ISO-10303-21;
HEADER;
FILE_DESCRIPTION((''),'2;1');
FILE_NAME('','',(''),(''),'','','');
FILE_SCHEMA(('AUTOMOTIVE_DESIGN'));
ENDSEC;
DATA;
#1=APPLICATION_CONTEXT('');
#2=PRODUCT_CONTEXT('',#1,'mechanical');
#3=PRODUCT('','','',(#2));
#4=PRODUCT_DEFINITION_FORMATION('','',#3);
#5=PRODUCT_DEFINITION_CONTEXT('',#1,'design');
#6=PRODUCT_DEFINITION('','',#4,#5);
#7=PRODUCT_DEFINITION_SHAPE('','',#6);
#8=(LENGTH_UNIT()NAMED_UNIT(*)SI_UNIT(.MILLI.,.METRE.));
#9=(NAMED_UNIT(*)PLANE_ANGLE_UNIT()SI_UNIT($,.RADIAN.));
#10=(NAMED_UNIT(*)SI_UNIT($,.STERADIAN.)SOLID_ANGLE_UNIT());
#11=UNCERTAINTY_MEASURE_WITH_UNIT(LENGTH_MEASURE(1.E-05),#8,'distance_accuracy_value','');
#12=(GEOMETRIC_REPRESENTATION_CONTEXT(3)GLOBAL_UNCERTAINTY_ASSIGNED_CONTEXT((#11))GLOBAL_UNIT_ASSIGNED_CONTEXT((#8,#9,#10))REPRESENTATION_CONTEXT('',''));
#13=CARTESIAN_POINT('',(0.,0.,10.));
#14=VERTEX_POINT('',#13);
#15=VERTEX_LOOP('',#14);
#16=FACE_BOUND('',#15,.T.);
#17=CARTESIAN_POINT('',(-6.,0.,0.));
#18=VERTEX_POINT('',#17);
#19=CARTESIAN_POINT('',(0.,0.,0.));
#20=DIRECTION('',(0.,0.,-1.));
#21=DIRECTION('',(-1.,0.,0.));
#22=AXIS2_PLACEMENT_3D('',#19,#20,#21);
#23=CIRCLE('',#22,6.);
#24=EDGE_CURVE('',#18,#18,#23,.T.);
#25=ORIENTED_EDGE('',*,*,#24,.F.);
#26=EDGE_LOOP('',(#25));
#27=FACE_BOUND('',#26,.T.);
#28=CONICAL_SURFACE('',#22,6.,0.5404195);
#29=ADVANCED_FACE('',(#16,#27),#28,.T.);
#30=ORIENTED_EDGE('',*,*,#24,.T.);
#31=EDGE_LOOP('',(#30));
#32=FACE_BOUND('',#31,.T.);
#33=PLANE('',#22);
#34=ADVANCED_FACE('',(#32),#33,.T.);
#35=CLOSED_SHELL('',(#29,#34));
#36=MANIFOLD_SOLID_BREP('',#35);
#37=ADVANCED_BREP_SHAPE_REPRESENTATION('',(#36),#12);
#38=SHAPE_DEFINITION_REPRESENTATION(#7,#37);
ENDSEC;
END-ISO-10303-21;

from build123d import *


with BuildPart() as part:
    # sketch:profile → feature:turn (revolve)
    with BuildSketch(Plane.XZ, mode=Mode.PRIVATE) as feature_turn_sk:
        Polygon((0, 0), (6, 0), (0, 10), align=None)
    revolve(feature_turn_sk.sketch.rotate(Axis((0, 0, -10), (0, 0, 1)), 180), axis=Axis((0, 0, -10), (0, 0, 1)))


solid = part.part
